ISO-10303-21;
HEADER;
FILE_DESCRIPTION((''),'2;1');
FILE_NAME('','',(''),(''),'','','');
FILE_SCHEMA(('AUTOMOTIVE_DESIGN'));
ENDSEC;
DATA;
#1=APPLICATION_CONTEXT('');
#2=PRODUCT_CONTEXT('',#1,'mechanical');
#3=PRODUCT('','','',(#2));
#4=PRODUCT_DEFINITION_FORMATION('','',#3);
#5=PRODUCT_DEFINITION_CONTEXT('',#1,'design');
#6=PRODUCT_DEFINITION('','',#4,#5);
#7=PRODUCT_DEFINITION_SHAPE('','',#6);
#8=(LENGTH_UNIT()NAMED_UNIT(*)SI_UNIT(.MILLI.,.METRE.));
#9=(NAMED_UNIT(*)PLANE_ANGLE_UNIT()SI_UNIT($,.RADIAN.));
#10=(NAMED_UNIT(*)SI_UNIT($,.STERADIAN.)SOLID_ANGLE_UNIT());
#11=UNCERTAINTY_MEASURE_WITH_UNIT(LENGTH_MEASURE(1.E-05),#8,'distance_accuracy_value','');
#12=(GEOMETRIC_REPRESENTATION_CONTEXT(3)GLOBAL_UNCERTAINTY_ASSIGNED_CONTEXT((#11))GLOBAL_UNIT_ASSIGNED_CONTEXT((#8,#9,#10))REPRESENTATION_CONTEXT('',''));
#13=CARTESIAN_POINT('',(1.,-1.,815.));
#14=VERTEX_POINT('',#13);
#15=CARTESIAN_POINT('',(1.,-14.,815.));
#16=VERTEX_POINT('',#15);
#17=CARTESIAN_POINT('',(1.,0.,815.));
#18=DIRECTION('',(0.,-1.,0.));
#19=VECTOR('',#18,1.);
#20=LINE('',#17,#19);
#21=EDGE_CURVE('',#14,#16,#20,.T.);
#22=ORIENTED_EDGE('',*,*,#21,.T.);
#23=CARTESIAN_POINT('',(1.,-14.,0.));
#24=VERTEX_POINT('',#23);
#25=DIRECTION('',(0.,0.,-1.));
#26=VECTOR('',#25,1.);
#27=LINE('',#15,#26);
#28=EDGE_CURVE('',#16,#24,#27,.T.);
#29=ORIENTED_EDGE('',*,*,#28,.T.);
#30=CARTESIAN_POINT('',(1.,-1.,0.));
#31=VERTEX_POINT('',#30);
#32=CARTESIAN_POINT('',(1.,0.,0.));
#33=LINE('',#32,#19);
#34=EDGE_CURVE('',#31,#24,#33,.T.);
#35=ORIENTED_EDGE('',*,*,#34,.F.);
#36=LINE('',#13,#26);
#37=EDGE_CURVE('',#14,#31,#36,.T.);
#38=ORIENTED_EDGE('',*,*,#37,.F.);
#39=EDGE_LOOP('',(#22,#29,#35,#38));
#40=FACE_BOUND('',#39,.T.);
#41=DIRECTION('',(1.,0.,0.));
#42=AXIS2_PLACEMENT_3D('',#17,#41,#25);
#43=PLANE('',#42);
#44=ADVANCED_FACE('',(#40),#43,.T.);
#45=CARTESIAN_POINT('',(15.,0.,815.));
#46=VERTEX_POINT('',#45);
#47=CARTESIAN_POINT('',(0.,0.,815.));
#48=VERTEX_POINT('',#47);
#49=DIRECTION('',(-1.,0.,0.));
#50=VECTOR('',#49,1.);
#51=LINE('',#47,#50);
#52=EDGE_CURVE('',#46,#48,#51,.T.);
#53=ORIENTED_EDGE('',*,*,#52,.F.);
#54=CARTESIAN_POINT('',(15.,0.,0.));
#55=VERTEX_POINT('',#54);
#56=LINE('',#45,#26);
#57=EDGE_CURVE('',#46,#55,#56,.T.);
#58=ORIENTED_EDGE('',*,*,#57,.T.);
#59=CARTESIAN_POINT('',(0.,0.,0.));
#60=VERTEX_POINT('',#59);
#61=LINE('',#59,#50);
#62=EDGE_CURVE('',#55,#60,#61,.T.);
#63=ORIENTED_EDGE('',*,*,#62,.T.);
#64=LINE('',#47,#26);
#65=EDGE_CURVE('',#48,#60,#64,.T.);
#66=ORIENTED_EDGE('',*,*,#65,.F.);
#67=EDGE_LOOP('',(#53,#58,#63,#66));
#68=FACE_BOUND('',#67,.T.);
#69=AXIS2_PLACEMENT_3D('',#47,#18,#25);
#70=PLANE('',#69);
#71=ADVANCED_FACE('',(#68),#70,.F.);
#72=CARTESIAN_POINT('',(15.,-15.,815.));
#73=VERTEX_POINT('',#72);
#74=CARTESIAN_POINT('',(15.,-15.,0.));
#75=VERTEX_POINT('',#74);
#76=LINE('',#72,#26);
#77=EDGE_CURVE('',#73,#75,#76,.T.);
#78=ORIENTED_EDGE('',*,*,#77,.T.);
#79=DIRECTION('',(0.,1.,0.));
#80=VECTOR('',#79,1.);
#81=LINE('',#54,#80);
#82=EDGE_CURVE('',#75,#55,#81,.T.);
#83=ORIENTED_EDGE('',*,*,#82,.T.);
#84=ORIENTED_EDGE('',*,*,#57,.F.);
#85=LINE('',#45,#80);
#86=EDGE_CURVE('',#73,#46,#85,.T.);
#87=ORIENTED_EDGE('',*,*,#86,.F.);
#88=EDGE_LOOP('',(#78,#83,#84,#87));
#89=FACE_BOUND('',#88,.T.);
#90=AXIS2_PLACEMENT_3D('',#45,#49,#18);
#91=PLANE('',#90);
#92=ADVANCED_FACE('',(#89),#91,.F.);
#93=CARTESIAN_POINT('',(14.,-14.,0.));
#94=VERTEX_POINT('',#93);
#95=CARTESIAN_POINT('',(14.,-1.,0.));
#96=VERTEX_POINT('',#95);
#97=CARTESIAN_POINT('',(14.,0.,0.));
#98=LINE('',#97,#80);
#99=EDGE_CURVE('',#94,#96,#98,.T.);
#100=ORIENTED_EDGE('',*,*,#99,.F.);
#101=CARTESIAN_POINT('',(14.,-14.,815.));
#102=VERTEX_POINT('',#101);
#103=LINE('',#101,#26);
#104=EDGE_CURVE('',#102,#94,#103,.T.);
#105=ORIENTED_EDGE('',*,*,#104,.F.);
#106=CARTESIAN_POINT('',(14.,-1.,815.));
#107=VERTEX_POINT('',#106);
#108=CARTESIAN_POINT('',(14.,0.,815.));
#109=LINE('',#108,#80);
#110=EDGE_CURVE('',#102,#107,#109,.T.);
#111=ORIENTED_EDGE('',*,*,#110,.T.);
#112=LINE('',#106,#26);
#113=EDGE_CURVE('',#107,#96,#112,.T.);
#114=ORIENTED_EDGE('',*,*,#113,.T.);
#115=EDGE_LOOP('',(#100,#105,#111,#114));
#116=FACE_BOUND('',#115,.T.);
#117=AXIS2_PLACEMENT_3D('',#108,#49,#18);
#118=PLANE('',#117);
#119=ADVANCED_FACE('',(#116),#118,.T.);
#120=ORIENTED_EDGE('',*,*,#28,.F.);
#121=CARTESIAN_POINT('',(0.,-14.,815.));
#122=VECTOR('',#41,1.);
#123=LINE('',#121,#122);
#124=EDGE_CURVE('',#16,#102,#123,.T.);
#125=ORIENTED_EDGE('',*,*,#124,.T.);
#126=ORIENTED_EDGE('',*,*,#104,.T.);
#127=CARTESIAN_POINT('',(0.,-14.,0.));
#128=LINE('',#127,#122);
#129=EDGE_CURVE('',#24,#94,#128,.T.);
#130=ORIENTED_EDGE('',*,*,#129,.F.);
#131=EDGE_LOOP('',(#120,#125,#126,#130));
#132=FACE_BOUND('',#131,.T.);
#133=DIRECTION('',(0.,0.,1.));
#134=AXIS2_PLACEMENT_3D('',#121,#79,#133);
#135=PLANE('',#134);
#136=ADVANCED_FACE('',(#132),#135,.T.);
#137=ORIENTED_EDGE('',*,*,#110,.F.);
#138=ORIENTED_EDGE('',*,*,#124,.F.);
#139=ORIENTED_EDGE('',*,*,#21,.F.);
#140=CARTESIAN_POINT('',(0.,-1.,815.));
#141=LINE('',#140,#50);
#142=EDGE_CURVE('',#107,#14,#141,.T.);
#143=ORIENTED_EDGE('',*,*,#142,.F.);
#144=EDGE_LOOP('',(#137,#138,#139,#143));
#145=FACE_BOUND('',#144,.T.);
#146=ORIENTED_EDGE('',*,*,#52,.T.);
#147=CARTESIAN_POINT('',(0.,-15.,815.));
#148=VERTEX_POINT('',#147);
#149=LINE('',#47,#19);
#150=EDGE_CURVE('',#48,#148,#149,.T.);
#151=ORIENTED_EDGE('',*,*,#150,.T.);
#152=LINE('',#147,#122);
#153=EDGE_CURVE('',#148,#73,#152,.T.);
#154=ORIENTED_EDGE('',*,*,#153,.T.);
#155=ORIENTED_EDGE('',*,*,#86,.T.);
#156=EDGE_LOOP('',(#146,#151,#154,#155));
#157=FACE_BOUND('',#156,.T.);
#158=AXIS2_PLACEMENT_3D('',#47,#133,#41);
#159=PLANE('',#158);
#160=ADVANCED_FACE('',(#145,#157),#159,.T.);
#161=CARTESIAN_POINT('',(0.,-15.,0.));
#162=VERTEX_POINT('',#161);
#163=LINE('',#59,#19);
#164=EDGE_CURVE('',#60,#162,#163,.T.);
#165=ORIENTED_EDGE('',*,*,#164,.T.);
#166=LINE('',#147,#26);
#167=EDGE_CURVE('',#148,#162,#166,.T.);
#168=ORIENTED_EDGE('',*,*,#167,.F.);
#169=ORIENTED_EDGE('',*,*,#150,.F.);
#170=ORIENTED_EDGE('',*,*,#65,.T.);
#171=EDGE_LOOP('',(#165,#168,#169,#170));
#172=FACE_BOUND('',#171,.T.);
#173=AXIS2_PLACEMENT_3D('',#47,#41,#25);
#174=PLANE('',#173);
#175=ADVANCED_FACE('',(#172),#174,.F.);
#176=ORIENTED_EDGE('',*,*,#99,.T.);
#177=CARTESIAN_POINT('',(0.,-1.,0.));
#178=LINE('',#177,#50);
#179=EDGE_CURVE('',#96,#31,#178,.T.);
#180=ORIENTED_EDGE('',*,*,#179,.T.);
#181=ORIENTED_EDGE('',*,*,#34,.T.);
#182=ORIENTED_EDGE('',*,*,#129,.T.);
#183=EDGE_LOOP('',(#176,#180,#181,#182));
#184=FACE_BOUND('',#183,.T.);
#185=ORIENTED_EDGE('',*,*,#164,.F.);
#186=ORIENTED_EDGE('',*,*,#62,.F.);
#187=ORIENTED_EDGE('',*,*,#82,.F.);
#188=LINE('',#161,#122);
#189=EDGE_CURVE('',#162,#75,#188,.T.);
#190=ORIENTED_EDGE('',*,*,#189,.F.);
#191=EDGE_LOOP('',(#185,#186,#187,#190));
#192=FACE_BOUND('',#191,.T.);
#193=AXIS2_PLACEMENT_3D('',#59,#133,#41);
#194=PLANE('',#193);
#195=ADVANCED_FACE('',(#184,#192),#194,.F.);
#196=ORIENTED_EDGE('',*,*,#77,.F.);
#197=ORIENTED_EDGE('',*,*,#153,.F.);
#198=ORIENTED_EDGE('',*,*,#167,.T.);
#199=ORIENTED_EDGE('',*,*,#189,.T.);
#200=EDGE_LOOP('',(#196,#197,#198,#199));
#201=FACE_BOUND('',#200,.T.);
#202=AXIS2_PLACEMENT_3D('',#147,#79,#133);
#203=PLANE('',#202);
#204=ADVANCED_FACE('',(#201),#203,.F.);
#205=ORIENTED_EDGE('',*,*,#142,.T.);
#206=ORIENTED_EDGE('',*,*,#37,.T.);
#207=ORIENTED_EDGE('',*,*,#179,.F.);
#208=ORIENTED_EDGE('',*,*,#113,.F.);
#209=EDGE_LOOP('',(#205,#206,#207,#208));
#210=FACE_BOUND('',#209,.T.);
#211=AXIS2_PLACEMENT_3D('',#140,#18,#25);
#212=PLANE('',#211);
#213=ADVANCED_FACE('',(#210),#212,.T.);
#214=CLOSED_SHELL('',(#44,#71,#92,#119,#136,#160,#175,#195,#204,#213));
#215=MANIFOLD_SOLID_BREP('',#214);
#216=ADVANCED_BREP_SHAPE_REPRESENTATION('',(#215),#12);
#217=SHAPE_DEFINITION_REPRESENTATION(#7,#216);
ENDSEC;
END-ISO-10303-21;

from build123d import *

# Parameters (mm, degrees)
SKETCH_1_W      = 15
SKETCH_1_H      = 15
SKETCH_1_W_2    = 13
SKETCH_1_H_2    = 13
EXTRUDE_1_DEPTH = 815


with BuildPart() as part:
    # 草图1 → 拉伸-薄壁1 (new body)
    with BuildSketch(Plane.XY):
        with Locations((7.5, -7.5)):
            Rectangle(SKETCH_1_W, SKETCH_1_H)
        with Locations((7.5, -7.5)):
            Rectangle(SKETCH_1_W_2, SKETCH_1_H_2, mode=Mode.SUBTRACT)
    extrude(amount=EXTRUDE_1_DEPTH)


solid = part.part
